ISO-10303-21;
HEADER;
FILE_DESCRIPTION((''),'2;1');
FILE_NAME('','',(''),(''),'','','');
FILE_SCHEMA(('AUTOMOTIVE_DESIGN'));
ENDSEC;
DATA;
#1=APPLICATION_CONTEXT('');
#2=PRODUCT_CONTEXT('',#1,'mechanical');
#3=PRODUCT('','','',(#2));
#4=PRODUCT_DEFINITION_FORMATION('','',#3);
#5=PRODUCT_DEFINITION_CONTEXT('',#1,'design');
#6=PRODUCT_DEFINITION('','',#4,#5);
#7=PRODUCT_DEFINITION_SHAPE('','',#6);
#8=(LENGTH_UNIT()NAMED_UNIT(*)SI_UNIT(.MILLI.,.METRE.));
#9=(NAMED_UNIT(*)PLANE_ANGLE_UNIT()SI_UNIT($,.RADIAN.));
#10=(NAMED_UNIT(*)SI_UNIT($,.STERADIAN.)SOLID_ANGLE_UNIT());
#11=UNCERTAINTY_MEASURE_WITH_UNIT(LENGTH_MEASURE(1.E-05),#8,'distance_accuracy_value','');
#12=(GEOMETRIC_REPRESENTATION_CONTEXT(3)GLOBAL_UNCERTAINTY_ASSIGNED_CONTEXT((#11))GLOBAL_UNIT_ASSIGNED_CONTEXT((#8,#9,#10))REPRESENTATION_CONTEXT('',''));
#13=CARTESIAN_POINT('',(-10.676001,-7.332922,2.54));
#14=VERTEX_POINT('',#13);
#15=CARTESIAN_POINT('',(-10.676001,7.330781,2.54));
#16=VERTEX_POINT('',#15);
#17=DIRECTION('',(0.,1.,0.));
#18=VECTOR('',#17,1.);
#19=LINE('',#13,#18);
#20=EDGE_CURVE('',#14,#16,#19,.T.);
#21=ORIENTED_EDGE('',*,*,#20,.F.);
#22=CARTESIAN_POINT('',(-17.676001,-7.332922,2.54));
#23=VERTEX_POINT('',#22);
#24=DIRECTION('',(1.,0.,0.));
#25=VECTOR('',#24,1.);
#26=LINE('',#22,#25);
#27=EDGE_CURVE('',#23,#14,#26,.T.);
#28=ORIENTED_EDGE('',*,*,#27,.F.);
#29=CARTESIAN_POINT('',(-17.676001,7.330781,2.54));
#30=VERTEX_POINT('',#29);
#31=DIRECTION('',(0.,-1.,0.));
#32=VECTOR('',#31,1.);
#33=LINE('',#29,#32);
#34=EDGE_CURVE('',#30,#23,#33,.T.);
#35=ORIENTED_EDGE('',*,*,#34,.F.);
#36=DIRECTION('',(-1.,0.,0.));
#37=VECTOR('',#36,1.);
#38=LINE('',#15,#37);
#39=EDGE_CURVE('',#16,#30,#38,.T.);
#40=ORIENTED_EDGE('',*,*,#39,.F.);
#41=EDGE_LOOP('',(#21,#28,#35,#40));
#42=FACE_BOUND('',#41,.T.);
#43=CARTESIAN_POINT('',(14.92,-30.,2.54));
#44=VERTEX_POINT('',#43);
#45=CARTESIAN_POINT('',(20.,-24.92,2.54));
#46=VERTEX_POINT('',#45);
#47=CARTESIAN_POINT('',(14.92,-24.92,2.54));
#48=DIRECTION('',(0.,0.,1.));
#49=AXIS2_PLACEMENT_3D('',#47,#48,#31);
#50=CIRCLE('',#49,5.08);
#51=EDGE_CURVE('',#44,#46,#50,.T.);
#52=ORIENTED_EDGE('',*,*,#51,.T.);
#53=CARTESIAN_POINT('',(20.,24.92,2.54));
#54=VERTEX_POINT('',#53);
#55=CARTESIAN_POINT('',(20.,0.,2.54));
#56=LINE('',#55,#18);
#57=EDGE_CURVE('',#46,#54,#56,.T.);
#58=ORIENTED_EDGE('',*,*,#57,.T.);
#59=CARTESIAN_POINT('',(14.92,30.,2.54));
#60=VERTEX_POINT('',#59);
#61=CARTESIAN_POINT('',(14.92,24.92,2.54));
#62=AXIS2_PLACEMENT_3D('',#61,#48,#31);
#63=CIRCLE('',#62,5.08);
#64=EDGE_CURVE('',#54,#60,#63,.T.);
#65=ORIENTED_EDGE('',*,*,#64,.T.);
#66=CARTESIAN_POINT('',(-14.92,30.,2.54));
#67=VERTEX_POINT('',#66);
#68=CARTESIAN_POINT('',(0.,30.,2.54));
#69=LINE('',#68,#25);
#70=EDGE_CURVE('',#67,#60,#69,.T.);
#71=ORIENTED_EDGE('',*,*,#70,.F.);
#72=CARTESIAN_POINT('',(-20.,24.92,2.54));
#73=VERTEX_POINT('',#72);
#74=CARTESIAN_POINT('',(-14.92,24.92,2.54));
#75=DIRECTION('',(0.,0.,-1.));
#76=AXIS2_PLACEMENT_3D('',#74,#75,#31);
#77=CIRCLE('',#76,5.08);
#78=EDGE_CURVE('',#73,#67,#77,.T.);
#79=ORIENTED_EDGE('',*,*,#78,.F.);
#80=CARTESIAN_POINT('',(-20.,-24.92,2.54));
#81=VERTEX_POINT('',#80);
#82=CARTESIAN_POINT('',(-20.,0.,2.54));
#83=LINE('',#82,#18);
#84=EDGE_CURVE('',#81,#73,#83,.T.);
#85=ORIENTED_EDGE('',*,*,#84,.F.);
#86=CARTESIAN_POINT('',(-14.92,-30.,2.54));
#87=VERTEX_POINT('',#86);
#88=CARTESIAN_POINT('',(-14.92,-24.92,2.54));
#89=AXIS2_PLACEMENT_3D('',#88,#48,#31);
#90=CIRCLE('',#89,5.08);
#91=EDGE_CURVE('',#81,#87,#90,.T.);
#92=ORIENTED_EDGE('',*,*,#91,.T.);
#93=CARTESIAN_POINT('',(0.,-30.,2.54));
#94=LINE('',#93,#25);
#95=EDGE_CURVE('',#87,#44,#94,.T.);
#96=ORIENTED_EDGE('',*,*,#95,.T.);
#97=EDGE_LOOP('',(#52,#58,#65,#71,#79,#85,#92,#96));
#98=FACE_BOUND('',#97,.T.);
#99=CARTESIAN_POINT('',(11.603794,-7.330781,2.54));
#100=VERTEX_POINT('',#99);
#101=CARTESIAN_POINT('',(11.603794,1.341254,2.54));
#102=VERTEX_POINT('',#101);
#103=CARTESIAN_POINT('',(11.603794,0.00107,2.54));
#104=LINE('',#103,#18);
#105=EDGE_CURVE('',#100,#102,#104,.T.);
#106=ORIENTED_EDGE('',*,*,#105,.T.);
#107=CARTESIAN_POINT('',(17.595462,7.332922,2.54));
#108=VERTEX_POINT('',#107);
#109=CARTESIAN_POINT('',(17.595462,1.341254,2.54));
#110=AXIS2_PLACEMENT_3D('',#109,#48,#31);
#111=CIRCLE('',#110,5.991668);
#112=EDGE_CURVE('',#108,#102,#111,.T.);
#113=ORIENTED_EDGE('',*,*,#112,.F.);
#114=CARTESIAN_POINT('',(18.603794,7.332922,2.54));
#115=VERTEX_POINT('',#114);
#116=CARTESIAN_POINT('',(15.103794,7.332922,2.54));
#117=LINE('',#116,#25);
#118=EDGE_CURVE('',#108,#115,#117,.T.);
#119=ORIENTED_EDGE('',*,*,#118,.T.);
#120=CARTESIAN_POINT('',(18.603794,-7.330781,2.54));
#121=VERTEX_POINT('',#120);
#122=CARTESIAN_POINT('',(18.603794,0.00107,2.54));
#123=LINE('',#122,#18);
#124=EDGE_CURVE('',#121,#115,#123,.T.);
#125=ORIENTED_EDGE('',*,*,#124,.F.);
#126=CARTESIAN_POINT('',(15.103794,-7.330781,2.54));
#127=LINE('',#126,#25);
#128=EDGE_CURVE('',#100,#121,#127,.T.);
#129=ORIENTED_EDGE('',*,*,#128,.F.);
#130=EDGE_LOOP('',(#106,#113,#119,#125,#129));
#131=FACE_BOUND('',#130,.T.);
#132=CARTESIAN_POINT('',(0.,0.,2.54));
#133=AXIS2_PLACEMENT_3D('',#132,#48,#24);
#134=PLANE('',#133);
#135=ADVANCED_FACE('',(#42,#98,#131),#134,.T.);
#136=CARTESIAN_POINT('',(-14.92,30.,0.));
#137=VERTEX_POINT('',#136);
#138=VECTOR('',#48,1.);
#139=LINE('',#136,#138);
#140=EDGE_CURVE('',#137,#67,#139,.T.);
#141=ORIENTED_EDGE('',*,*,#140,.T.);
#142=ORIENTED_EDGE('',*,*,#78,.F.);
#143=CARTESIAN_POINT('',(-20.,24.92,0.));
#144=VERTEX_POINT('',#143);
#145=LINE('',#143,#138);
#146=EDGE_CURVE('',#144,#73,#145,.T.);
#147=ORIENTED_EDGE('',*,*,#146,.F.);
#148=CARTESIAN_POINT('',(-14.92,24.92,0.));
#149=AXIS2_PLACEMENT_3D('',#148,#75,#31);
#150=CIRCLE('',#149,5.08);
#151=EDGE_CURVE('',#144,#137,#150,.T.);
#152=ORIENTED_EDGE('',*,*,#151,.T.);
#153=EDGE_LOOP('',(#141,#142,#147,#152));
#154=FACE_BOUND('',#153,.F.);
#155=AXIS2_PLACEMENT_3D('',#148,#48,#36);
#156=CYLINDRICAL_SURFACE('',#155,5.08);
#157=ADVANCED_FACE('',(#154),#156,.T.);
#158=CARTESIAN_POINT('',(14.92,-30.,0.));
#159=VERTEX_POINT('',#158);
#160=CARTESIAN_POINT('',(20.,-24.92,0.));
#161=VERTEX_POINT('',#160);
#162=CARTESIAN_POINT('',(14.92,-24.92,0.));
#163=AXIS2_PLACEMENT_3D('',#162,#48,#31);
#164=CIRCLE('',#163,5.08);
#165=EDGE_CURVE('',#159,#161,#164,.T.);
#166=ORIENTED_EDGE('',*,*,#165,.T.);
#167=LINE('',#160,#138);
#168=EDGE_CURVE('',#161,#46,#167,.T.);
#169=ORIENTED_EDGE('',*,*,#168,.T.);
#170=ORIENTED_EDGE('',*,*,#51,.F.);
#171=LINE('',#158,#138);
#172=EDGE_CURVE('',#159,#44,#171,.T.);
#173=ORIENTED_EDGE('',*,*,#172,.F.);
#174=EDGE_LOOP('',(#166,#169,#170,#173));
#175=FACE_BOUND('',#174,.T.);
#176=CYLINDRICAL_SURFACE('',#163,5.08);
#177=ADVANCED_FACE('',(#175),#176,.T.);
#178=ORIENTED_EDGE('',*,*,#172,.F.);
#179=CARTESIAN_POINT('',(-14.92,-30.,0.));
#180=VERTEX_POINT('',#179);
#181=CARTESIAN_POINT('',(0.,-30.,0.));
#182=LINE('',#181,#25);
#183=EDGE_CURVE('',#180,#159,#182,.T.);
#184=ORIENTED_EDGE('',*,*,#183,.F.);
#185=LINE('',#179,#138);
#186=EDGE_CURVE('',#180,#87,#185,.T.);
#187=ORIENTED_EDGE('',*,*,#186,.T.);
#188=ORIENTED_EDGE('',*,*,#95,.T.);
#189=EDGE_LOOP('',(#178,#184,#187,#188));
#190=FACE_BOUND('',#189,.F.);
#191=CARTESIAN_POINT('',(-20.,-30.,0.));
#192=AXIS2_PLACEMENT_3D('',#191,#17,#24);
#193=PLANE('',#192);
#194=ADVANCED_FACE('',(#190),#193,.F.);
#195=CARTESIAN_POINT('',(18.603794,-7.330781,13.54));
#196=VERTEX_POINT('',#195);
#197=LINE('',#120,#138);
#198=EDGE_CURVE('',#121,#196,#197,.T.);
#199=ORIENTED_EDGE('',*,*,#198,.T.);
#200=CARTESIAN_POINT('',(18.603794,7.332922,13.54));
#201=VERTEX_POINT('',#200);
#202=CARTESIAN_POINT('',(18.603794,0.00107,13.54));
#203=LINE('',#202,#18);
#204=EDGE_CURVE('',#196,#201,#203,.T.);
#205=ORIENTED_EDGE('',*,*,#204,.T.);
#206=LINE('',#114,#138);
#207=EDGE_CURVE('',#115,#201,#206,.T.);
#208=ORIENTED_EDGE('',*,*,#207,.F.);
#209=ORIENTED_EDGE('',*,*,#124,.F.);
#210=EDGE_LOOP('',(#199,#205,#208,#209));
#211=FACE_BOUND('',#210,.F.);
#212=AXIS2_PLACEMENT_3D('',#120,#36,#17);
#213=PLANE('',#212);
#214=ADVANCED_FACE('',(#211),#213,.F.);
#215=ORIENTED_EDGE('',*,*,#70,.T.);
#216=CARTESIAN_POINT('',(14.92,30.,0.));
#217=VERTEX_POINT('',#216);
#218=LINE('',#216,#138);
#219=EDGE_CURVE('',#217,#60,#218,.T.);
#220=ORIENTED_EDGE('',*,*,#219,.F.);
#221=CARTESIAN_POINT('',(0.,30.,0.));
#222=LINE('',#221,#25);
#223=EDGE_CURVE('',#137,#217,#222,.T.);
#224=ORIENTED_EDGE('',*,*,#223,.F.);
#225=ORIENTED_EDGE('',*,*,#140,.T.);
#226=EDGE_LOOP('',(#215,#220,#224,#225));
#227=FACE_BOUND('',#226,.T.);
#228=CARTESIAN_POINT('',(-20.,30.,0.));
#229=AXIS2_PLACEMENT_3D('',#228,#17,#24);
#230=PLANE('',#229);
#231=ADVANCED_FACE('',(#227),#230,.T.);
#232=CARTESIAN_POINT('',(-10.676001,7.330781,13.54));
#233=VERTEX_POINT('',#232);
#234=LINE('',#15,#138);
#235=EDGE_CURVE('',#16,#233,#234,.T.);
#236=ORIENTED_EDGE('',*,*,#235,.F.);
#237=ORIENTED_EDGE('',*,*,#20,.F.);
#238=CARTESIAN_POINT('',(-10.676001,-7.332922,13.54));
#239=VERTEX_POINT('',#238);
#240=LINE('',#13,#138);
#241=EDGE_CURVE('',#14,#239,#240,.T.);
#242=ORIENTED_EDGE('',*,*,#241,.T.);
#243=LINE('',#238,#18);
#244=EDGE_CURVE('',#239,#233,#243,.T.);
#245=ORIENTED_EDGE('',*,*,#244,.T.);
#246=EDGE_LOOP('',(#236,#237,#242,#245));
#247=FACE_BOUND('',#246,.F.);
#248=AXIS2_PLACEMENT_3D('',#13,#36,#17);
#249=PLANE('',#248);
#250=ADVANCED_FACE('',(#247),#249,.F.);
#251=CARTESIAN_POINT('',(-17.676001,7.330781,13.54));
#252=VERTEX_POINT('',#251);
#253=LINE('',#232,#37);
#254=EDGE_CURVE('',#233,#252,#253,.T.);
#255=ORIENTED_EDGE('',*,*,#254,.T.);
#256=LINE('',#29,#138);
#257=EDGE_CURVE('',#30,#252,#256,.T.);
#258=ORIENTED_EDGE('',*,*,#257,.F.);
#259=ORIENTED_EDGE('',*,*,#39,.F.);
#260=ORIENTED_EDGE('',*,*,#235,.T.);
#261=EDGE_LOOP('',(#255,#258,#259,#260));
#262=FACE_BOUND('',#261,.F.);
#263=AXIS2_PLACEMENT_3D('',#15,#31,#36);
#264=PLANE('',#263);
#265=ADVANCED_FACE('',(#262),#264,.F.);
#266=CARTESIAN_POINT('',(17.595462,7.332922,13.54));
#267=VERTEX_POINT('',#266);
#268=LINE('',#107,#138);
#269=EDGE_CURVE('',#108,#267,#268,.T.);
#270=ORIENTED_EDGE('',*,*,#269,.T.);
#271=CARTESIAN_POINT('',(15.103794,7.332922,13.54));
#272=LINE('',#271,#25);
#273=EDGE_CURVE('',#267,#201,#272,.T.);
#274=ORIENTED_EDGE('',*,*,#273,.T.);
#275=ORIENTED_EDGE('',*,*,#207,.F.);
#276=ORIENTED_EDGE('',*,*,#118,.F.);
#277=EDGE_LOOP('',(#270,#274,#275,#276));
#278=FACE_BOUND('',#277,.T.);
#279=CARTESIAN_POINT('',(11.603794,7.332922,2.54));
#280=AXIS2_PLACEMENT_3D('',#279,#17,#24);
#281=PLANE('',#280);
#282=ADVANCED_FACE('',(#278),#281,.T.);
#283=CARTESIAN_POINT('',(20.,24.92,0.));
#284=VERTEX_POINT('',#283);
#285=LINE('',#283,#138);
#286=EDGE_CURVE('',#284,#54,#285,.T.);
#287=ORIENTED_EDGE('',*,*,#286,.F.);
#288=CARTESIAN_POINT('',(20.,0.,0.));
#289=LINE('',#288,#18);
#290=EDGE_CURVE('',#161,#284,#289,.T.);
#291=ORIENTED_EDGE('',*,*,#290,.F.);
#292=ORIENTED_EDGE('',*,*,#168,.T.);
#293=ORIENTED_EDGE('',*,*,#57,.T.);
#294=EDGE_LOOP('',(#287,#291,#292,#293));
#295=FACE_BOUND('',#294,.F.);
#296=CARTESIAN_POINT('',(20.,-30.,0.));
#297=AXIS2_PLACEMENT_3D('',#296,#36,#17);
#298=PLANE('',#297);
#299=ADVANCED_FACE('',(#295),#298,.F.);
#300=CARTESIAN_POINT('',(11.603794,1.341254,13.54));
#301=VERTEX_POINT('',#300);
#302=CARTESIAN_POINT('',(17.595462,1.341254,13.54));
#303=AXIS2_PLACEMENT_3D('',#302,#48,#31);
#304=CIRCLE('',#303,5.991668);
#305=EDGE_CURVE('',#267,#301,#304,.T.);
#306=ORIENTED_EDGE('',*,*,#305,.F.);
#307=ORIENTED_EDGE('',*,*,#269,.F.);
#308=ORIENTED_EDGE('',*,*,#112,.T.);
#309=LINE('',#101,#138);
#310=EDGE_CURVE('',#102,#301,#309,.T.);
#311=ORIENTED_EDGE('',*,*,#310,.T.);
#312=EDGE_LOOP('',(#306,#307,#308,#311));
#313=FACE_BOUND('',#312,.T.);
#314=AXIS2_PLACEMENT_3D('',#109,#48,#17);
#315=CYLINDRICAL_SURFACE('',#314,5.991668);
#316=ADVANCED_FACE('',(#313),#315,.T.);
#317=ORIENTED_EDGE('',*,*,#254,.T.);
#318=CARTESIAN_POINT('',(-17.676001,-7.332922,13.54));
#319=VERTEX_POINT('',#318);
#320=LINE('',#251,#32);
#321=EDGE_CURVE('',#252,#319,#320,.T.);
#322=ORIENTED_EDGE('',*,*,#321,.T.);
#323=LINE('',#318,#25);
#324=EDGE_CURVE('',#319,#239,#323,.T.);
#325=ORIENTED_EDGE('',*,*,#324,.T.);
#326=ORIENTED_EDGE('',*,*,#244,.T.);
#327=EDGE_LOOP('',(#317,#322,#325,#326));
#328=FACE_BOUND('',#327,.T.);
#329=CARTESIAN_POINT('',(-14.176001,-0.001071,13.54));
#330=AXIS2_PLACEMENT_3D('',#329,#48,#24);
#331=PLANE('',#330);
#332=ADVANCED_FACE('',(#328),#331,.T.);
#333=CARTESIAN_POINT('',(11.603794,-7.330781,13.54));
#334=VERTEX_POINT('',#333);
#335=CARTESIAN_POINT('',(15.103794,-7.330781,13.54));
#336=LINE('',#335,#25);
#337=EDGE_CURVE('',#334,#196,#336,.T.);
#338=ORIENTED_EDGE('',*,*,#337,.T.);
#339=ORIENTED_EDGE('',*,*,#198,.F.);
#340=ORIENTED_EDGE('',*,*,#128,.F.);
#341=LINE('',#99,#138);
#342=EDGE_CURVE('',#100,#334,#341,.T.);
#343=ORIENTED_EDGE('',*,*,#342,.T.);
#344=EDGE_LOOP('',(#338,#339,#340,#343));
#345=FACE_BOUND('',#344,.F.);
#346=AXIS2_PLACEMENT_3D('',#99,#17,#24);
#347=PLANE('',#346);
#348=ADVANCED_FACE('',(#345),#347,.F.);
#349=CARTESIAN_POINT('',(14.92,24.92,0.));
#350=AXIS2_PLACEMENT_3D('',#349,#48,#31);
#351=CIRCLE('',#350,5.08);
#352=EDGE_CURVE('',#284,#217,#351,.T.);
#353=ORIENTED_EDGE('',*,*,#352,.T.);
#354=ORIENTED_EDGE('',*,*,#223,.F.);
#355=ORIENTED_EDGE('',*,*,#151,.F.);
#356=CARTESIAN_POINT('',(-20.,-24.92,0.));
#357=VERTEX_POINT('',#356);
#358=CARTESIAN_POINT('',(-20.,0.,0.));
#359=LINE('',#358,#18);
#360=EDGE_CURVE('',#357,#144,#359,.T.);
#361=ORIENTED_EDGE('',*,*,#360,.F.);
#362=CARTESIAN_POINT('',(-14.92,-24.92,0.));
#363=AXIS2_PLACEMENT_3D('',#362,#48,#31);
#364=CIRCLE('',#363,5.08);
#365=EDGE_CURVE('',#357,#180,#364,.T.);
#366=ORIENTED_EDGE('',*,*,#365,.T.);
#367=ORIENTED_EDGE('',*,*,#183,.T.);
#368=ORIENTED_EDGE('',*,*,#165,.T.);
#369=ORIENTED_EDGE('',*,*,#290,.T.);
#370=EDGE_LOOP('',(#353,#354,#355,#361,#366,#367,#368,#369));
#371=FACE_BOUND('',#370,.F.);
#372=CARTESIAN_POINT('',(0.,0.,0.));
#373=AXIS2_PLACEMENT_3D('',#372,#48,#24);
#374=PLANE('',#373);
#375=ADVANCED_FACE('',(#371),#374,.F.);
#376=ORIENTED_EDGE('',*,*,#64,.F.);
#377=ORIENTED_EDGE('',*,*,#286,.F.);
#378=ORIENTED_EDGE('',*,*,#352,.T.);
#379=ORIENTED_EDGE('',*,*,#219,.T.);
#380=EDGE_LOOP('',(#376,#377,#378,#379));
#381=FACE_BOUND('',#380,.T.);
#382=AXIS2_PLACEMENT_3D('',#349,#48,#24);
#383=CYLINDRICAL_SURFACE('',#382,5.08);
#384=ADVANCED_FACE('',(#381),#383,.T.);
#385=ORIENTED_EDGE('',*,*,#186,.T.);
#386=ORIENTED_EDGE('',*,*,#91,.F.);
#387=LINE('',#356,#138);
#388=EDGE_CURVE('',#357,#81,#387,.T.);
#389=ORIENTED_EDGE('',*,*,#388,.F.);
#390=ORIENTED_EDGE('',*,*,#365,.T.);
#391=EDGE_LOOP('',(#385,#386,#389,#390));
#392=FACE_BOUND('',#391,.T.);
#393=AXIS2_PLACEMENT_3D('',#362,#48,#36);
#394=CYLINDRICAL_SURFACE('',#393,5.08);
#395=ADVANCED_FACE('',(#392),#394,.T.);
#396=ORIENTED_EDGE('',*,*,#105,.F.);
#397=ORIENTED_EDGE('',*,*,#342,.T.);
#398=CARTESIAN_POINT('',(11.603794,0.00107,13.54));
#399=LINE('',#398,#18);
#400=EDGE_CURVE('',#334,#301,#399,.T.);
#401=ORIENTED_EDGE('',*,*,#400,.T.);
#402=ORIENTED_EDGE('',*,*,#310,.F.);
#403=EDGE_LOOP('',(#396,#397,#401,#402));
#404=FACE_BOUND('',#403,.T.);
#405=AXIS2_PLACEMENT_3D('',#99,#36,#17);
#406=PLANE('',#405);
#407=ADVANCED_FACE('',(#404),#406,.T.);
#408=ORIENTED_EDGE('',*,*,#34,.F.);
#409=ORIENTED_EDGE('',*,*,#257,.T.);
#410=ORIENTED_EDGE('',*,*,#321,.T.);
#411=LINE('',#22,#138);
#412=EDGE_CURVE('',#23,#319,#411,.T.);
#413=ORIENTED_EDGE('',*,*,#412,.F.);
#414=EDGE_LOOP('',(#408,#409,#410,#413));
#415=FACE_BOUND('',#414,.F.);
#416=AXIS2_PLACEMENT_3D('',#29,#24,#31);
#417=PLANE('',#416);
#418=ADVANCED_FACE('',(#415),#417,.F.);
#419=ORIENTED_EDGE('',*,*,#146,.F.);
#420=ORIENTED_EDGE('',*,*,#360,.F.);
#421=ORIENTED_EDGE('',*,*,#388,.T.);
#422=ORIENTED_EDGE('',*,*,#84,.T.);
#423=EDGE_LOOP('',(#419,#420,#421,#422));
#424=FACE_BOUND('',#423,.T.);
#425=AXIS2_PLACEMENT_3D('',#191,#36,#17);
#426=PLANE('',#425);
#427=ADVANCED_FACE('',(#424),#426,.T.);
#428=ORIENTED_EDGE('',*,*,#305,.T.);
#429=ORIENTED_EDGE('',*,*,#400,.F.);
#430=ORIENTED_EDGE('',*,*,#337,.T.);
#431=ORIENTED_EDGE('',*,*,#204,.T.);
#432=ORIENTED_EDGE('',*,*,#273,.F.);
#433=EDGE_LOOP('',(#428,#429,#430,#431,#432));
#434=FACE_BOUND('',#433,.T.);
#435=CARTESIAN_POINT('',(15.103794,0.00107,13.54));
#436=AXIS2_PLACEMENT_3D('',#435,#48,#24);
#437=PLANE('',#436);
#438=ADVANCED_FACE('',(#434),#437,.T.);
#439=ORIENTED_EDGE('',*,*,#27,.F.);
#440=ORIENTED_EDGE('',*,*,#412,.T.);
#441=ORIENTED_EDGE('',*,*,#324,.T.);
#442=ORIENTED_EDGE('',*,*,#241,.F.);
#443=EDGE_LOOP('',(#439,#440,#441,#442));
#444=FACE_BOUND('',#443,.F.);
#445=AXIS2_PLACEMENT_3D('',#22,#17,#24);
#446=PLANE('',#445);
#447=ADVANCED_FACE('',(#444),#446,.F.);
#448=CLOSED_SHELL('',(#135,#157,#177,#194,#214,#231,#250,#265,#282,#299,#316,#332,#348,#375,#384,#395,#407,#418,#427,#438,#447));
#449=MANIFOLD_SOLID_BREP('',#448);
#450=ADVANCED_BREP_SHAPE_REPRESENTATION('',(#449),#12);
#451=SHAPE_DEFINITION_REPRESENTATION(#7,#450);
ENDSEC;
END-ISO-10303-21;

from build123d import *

# Parameters (mm, degrees)
F0_W     = 40
F0_H     = 60
F1_DEPTH = 2.54
F2_R     = 5.08
F3_W     = 7
F3_H     = 14.663703
F4_DEPTH = 11
F5_R     = 5.991668


with BuildPart() as f1:
    # F0 (on Top) → F1 (new body)
    with BuildSketch(Plane.XY):
        Rectangle(F0_W, F0_H)
    extrude(amount=F1_DEPTH)

    # F2
    f2_edges = [f1.edges().sort_by_distance(p)[0] for p in [
        (-20, -30, 1.27),
        (20, -30, 1.27),
        (-20, 30, 1.27),
        (20, 30, 1.27),
    ]]
    fillet(f2_edges, radius=F2_R)

    # F3 (on face) → F4 (join)
    with BuildSketch(Plane.XY.offset(2.54)):
        Polygon((-17.676001, -7.332922), (-10.676001, -7.332922), (-10.676001, 7.330781), (-11.603794, 7.330781), (-17.676001, 7.330781), align=None)
        with Locations((15.103794, 0.00107)):
            Rectangle(F3_W, F3_H)
    extrude(amount=F4_DEPTH)

    # F5
    f5_edges = [f1.edges().sort_by_distance(p)[0] for p in [
        (11.603794, 7.332922, 8.04),
    ]]
    fillet(f5_edges, radius=F5_R)


solid = f1.part
